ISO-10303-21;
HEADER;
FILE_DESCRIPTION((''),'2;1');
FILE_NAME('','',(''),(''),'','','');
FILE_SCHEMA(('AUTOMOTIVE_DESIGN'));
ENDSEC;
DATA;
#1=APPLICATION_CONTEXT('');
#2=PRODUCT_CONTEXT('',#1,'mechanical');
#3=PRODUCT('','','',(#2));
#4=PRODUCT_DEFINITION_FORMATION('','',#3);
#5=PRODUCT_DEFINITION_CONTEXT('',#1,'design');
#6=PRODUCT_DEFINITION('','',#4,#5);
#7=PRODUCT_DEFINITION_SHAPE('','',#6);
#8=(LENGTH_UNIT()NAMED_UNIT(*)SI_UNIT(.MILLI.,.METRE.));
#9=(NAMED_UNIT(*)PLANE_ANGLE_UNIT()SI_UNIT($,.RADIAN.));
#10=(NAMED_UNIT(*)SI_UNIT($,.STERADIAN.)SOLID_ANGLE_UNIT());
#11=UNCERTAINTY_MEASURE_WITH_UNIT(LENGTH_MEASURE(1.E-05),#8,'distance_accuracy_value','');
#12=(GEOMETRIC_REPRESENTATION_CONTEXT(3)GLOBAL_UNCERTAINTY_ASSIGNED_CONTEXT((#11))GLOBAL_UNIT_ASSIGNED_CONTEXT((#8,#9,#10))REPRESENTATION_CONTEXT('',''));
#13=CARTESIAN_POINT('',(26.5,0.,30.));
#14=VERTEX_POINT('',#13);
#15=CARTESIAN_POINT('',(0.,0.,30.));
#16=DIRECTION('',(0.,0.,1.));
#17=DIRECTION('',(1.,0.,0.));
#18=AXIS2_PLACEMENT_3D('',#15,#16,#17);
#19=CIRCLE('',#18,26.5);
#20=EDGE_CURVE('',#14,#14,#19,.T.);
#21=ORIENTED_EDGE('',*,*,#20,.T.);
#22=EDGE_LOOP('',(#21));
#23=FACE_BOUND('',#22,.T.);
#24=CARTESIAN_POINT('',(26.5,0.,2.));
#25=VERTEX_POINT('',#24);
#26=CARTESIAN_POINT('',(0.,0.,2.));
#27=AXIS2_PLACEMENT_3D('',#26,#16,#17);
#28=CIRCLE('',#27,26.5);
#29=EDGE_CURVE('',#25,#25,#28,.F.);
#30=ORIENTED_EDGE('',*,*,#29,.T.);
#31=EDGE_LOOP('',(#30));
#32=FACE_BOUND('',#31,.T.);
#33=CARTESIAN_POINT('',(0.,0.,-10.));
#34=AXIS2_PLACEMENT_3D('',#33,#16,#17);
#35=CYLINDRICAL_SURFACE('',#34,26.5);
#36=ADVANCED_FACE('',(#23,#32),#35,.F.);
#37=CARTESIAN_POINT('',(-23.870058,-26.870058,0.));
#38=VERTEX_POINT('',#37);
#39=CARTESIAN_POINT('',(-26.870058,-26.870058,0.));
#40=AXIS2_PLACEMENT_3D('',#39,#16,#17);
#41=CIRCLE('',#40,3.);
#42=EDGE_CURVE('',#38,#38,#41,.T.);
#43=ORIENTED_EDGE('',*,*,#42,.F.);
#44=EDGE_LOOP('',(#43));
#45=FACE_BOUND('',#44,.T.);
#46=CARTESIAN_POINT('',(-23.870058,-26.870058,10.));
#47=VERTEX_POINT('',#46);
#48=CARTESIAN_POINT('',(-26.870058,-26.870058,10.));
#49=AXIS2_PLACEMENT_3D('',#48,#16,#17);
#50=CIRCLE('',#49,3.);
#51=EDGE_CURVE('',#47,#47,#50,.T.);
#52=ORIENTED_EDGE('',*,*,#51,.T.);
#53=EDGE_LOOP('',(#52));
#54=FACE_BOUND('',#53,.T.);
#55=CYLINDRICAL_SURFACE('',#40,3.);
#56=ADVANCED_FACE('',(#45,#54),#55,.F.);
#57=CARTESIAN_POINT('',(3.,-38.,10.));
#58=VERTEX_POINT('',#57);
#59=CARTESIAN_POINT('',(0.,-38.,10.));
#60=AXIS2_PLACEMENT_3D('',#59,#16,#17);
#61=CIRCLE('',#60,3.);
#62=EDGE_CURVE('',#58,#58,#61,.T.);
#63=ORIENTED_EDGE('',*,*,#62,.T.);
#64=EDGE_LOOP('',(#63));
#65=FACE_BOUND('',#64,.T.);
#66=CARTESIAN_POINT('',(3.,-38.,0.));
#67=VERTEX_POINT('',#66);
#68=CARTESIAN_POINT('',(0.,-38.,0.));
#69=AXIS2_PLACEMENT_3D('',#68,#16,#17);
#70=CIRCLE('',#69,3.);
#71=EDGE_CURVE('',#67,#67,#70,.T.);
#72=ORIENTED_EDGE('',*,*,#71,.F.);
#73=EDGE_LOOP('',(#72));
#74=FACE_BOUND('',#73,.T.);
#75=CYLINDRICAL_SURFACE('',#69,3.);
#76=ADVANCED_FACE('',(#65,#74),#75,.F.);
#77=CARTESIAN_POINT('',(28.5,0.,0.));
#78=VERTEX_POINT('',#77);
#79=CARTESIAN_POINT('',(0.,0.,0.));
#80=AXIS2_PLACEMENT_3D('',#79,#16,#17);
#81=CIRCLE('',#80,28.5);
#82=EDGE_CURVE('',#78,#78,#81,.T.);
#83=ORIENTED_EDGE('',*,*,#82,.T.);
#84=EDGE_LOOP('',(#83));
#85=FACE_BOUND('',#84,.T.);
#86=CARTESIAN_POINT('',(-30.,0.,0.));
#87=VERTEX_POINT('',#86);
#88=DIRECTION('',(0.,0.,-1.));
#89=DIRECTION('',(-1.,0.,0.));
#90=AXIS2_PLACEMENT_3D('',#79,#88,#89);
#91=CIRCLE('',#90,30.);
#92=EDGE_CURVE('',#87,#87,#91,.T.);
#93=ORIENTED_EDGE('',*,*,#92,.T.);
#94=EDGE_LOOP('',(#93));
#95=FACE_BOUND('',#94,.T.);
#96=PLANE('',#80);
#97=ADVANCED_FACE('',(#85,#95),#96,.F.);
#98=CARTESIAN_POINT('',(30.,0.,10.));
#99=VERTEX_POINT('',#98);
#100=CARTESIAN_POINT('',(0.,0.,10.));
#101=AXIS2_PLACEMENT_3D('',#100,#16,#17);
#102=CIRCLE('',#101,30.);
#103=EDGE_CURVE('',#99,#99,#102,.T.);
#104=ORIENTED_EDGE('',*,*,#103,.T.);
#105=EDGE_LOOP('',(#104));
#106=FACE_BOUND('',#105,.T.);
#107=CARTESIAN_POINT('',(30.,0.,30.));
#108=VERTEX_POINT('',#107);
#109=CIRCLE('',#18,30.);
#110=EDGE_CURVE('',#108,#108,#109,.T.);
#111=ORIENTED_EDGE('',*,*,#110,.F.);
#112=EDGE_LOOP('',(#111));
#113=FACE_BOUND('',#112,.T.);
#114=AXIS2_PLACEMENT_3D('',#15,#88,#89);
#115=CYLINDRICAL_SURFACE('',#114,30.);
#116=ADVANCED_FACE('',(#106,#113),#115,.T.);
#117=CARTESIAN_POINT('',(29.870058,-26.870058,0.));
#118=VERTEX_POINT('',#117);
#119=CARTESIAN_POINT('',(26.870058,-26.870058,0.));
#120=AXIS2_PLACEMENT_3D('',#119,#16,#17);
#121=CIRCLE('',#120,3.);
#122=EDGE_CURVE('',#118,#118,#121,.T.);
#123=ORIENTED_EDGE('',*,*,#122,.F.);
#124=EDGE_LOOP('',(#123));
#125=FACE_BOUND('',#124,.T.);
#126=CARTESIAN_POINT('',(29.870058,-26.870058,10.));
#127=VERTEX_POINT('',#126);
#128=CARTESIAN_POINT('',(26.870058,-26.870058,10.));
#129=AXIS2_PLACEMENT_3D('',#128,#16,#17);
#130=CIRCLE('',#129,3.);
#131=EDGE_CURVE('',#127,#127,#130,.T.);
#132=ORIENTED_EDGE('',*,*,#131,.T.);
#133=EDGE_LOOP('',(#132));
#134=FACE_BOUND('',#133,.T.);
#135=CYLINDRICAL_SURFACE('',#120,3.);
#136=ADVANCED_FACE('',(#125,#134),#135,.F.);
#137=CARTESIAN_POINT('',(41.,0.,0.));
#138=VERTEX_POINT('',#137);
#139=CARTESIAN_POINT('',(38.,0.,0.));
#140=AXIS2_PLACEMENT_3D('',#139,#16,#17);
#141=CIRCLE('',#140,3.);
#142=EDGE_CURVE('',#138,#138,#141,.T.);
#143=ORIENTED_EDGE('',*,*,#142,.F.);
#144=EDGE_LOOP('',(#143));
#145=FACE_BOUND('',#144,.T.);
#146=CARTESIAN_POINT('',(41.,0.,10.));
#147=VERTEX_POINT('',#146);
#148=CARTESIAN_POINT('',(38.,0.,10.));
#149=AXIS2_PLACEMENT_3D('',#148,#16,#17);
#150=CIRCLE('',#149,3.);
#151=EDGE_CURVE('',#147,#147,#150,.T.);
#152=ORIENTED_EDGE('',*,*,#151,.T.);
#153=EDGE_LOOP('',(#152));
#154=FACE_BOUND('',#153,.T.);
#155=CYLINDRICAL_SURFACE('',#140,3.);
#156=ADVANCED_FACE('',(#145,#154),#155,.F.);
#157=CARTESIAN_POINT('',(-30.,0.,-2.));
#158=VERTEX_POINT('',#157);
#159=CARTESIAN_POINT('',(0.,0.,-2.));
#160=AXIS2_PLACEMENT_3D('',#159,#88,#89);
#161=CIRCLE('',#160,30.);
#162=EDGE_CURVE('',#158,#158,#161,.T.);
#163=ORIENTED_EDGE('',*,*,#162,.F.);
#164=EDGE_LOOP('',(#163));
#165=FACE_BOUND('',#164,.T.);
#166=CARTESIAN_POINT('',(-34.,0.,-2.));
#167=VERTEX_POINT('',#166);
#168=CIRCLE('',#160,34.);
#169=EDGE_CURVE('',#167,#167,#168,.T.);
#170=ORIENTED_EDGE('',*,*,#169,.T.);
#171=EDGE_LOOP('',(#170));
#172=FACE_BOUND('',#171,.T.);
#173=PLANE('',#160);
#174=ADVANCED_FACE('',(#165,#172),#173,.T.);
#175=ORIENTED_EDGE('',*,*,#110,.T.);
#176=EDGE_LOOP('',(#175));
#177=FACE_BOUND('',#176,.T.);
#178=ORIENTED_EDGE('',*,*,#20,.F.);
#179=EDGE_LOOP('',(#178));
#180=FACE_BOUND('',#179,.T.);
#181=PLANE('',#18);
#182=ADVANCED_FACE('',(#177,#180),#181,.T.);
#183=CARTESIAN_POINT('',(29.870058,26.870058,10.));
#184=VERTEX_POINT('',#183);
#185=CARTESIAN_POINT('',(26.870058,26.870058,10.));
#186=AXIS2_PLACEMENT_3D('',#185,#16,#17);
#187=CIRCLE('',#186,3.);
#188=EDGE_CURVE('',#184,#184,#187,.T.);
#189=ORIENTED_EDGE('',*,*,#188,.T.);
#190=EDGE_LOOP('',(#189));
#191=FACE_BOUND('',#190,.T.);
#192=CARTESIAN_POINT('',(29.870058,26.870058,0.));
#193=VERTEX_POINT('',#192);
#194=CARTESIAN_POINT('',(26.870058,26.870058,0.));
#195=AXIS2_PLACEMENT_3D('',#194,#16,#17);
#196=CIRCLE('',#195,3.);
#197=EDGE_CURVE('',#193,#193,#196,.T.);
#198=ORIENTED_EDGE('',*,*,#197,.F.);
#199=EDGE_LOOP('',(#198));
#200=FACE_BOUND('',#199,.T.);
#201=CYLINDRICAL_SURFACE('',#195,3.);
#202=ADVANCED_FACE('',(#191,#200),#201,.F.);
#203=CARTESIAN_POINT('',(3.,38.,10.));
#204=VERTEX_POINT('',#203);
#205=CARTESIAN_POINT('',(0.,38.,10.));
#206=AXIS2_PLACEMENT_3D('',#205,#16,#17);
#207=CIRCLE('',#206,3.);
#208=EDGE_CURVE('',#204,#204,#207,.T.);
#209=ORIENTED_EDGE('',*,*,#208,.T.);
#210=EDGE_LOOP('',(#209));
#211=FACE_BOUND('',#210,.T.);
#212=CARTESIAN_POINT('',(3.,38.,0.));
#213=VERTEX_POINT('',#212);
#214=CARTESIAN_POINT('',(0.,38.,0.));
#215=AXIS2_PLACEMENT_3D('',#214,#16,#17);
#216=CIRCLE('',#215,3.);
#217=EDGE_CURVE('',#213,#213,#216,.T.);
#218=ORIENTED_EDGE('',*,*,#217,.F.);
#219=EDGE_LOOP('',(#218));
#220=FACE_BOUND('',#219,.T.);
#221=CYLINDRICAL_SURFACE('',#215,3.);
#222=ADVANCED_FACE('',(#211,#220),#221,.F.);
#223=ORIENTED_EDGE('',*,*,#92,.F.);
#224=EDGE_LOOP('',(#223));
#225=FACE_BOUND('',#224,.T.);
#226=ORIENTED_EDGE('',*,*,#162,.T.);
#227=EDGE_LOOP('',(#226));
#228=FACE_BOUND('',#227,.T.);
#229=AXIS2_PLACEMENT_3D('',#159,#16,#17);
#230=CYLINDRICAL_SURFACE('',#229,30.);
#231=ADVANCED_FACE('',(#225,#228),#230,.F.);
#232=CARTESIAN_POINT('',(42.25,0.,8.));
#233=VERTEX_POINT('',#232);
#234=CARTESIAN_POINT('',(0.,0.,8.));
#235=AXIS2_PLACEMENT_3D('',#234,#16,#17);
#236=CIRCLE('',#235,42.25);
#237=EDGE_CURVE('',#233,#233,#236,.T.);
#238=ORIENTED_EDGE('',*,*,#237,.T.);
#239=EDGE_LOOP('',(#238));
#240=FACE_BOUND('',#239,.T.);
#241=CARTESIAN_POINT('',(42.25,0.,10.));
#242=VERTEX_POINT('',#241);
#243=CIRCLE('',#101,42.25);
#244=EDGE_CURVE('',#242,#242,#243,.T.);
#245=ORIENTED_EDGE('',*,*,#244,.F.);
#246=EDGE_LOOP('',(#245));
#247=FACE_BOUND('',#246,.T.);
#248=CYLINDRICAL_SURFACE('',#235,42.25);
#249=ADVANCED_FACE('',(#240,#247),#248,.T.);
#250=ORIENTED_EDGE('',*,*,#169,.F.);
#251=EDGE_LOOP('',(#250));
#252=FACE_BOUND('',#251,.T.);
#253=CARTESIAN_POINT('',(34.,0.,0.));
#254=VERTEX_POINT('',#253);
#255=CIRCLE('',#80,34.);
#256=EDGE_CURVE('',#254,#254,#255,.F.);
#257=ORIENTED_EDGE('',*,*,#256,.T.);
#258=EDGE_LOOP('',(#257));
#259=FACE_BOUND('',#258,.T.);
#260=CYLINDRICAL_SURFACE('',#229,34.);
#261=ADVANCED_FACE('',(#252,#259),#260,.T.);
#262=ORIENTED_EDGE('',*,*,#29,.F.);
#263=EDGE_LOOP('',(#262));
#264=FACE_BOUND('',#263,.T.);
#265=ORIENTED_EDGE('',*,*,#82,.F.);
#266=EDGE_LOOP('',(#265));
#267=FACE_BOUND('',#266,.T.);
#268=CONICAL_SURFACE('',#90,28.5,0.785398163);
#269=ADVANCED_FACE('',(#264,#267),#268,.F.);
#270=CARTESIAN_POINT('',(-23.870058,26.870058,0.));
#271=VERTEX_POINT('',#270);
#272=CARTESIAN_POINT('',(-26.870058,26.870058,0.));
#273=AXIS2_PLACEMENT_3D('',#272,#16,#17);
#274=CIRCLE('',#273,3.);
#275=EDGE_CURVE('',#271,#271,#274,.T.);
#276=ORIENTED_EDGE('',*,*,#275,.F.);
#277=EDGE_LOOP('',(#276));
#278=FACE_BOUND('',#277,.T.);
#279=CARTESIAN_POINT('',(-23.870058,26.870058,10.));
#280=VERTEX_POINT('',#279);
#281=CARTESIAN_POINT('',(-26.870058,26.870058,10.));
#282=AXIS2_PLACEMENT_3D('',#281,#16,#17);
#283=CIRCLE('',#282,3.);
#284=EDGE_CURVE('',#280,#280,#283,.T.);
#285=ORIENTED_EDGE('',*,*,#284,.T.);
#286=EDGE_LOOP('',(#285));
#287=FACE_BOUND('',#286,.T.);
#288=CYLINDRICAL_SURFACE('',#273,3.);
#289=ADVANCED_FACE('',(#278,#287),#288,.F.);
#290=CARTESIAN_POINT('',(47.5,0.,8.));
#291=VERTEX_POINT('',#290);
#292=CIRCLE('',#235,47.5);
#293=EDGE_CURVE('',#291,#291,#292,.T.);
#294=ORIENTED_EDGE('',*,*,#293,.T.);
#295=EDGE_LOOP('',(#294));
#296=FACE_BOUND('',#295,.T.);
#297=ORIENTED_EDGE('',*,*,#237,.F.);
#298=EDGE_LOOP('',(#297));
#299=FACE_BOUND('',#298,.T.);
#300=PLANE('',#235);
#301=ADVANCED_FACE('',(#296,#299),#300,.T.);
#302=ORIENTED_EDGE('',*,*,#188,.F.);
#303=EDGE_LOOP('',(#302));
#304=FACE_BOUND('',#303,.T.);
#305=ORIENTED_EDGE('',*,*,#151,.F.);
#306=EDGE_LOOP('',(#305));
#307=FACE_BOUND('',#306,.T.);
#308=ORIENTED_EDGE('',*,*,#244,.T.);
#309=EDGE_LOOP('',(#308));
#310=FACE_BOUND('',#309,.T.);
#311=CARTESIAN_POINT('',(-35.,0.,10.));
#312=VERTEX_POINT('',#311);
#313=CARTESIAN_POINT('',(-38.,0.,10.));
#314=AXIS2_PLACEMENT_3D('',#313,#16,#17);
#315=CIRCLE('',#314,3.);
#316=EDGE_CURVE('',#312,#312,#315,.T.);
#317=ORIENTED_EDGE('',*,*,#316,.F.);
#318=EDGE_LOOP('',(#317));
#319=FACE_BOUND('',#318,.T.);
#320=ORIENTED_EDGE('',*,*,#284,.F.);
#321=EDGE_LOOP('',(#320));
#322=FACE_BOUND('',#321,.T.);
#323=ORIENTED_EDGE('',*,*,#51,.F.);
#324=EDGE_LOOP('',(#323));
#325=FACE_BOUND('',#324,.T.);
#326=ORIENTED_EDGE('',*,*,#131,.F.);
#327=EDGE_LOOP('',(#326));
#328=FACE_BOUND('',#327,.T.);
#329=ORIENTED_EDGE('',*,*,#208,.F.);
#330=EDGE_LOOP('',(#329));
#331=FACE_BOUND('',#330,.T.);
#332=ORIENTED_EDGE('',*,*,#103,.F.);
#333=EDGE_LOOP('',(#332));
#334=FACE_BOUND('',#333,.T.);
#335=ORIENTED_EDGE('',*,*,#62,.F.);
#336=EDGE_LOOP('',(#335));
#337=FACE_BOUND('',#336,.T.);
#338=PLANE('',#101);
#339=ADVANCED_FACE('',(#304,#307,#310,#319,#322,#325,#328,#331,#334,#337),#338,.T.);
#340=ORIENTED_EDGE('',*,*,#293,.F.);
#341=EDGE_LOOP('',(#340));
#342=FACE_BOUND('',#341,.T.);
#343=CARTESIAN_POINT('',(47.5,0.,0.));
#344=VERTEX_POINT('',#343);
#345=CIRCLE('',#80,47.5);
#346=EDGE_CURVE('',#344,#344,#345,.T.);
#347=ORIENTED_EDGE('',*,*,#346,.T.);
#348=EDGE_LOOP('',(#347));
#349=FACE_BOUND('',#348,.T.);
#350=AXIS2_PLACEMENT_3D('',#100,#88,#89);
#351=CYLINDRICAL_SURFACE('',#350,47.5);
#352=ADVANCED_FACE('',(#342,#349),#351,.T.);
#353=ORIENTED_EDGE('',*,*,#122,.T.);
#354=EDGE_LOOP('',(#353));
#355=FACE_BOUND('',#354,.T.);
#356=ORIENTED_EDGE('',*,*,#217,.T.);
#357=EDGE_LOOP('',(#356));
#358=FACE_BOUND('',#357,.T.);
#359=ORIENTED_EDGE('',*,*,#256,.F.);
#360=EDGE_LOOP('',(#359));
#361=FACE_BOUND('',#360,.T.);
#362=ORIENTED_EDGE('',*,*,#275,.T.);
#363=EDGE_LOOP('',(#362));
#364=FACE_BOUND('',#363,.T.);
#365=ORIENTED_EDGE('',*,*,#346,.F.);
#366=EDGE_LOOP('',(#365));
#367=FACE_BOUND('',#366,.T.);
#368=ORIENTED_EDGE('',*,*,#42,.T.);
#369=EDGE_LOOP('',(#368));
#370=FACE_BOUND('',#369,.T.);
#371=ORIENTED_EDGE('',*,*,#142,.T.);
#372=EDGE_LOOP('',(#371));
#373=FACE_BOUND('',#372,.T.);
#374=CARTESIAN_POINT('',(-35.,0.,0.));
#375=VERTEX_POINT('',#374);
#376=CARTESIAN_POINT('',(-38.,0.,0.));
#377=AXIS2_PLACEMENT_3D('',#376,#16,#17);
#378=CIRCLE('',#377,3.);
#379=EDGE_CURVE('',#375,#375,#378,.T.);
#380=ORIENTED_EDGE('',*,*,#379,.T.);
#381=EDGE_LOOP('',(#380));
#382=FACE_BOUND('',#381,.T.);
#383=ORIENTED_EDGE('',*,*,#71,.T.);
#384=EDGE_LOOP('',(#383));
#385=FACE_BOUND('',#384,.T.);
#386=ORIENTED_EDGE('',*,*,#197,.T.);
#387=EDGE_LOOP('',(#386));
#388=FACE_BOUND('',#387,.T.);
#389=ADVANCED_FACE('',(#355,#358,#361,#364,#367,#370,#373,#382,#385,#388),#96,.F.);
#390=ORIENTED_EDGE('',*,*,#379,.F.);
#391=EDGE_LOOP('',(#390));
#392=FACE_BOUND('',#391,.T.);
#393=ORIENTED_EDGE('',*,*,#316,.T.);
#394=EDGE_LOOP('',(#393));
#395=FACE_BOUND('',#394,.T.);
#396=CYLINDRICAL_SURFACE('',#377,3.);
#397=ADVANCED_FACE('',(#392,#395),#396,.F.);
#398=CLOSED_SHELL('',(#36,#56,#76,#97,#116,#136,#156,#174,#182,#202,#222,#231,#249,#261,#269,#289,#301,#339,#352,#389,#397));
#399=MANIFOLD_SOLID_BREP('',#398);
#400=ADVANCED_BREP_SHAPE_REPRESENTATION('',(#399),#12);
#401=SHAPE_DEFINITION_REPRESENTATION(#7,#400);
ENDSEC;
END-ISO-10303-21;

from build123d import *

# Parameters (mm, degrees)
SKETCH_1_R          = 47.5
EXTRUDE_1_DEPTH     = 10
SKETCH_2_R          = 30
EXTRUDE_2_DEPTH     = 20
SKETCH_3_R          = 26.5
CUT_EXTRUDE_1_DEPTH = 40
EXTRUDE_START       = 2
SKETCH_4_R          = 34
SKETCH_4_R_2        = 30
EXTRUDE_3_DEPTH     = 2
CUT_EXTRUDE_START   = -2
SKETCH_5_R          = 47.5
SKETCH_5_R_2        = 42.25
CUT_EXTRUDE_2_DEPTH = 2
SKETCH_6_R          = 3
CUT_EXTRUDE_3_DEPTH = 10
CHAMFER_1_SIZE      = 2


with BuildPart() as part:
    # 草图1 → 拉伸1 (new body)
    with BuildSketch(Plane.XY):
        Circle(SKETCH_1_R)
    extrude(amount=EXTRUDE_1_DEPTH)

    # 草图2 → 拉伸2 (add)
    with BuildSketch(Plane.XY.offset(10)):
        Circle(SKETCH_2_R)
    extrude(amount=EXTRUDE_2_DEPTH)

    # 草图3 → 切除-拉伸1 (cut)
    with BuildSketch(Plane.XY.offset(30)):
        Circle(SKETCH_3_R)
    extrude(amount=-CUT_EXTRUDE_1_DEPTH, mode=Mode.SUBTRACT)

    # 草图4 → 拉伸3 (add)
    with BuildSketch(Plane(origin=(0, 0, 0), x_dir=(-1, 0, 0), z_dir=(0, 0, -1)).offset(EXTRUDE_START)):
        with Locations(Location((0, 0, 0), (0, 0, 180))):
            Circle(SKETCH_4_R)
        with Locations(Location((0, 0, 0), (0, 0, 180))):
            Circle(SKETCH_4_R_2, mode=Mode.SUBTRACT)
    extrude(amount=-EXTRUDE_3_DEPTH)

    # 草图5 → 切除-拉伸2 (cut)
    with BuildSketch(Plane.XY.offset(10).offset(CUT_EXTRUDE_START)):
        Circle(SKETCH_5_R)
        Circle(SKETCH_5_R_2, mode=Mode.SUBTRACT)
    extrude(amount=CUT_EXTRUDE_2_DEPTH, mode=Mode.SUBTRACT)

    # 草图6 → 切除-拉伸3 (cut)
    with BuildSketch(Plane.XY.offset(10)):
        with Locations((26.870057685, 26.870057685)):
            Circle(SKETCH_6_R)
        with Locations((0, 38)):
            Circle(SKETCH_6_R)
        with Locations((38, 0)):
            Circle(SKETCH_6_R)
        with Locations((26.870057685, -26.870057685)):
            Circle(SKETCH_6_R)
        with Locations((0, -38)):
            Circle(SKETCH_6_R)
        with Locations((-26.870057685, -26.870057685)):
            Circle(SKETCH_6_R)
        with Locations((-38, 0)):
            Circle(SKETCH_6_R)
        with Locations((-26.870057685, 26.870057685)):
            Circle(SKETCH_6_R)
    extrude(amount=-CUT_EXTRUDE_3_DEPTH, mode=Mode.SUBTRACT)

    # 倒角1
    chamfer_1_edges = [part.edges().sort_by_distance(p)[0] for p in [
        (-26.5, 0, 0),
    ]]
    chamfer(chamfer_1_edges, length=CHAMFER_1_SIZE)


solid = part.part
